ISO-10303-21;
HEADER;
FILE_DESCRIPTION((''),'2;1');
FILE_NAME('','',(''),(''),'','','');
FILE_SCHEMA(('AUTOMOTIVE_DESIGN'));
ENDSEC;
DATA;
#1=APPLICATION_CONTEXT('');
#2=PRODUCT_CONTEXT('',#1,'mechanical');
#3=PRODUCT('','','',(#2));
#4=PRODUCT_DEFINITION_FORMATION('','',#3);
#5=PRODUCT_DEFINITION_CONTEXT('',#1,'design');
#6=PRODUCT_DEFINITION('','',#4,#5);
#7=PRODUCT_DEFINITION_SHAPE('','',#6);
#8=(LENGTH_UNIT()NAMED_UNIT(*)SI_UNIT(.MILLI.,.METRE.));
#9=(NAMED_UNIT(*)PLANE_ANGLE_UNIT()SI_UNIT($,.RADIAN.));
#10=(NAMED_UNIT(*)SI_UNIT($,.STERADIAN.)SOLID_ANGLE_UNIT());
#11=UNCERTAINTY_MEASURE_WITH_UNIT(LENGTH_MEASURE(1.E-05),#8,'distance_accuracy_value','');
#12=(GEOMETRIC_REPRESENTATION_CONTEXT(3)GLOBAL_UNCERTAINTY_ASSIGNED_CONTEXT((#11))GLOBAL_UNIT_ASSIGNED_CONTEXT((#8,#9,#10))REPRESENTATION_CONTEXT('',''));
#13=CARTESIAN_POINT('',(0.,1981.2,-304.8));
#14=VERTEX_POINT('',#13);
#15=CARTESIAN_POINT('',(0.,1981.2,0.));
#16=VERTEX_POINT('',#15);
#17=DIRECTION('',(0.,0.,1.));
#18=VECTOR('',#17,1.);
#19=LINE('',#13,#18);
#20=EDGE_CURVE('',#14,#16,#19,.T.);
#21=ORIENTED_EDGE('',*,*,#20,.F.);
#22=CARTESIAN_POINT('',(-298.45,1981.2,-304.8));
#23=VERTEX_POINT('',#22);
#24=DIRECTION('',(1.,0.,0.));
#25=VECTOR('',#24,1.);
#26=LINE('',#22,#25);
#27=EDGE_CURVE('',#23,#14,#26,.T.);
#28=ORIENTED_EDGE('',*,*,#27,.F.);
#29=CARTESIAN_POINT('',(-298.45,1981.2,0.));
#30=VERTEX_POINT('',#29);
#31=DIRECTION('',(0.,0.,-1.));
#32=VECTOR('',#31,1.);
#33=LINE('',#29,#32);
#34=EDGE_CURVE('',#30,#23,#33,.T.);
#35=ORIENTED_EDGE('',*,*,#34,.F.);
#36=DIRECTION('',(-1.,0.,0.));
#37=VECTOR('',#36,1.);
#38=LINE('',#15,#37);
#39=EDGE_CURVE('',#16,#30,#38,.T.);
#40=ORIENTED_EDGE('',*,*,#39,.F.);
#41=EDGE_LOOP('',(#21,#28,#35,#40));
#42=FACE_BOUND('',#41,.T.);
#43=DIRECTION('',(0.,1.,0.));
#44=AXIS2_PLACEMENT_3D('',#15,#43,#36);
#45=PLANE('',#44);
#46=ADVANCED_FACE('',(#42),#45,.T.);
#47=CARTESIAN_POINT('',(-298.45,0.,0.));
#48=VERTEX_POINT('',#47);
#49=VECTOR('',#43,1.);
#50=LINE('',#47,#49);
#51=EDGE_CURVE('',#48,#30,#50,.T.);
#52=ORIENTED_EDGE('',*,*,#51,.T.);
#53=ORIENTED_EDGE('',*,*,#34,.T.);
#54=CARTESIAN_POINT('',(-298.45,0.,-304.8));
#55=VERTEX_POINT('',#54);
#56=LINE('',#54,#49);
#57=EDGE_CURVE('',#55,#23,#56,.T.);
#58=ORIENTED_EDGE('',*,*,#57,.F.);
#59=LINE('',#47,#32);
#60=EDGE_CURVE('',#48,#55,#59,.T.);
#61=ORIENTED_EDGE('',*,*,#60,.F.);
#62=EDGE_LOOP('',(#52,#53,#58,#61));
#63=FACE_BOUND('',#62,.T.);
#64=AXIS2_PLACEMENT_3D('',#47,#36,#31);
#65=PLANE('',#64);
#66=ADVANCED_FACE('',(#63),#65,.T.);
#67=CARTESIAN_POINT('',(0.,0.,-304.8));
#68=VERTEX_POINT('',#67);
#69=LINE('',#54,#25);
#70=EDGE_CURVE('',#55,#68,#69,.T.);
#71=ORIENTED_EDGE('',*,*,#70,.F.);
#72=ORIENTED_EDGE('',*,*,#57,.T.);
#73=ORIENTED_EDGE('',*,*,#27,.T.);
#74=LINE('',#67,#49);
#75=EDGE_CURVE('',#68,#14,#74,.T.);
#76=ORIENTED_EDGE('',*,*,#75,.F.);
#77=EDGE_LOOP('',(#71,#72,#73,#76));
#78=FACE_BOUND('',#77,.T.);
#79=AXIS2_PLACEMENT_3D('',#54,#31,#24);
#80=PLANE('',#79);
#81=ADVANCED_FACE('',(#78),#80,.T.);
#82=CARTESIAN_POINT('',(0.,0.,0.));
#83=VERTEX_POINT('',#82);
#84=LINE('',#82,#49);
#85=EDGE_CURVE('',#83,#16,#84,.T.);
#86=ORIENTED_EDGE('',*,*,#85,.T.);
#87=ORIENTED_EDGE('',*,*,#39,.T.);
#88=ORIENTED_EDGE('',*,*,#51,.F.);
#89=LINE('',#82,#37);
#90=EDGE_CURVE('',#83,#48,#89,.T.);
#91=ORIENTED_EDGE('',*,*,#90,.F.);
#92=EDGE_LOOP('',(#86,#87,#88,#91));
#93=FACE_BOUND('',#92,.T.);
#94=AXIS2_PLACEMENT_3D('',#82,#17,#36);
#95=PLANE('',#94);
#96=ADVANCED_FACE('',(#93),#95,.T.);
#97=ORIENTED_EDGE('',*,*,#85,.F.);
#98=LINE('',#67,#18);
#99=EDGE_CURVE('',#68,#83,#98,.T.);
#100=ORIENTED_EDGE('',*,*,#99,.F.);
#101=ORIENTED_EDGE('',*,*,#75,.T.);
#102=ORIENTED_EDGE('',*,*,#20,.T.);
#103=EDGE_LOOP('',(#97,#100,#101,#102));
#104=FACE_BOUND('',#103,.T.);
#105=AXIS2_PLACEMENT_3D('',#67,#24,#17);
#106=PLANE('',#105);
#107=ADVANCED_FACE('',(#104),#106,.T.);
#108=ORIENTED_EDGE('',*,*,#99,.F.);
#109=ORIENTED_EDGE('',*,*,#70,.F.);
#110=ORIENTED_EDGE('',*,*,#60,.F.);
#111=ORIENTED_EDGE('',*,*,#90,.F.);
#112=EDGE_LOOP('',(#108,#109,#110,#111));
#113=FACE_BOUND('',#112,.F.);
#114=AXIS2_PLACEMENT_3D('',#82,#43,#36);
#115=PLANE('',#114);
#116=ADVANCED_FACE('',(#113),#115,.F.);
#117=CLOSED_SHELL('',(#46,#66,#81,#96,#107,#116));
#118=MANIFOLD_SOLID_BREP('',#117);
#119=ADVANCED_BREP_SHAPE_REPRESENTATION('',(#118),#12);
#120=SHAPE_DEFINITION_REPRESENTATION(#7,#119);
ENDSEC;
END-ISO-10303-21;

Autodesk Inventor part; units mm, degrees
ref_plane "YZ Plane" through (0, 0, 0) normal (1, 0, 0) x (0, 1, 0)
ref_plane "XZ Plane" through (0, 0, 0) normal (0, 1, 0) x (-1, 0, 0)
ref_plane "XY Plane" through (0, 0, 0) normal (0, 0, 1) x (1, 0, 0)
sketch "Sketch1" plane through (0, 0, 0) normal (0, 1, 0) x (-1, 0, 0)
  line L0 (0, 0) -> (298.45, 0)
  line L1 (298.45, 0) -> (298.45, -304.8)
  line L2 (298.45, -304.8) -> (0, -304.8)
  line L3 (0, -304.8) -> (0, 0)
  dimension "d2" = 304.8
  dimension "d3" = 298.45
extrude "Extrusion1" add sketch "Sketch1" along normal blind 1981.2
properties part number "NE_Support_Column" material "Concrete"
